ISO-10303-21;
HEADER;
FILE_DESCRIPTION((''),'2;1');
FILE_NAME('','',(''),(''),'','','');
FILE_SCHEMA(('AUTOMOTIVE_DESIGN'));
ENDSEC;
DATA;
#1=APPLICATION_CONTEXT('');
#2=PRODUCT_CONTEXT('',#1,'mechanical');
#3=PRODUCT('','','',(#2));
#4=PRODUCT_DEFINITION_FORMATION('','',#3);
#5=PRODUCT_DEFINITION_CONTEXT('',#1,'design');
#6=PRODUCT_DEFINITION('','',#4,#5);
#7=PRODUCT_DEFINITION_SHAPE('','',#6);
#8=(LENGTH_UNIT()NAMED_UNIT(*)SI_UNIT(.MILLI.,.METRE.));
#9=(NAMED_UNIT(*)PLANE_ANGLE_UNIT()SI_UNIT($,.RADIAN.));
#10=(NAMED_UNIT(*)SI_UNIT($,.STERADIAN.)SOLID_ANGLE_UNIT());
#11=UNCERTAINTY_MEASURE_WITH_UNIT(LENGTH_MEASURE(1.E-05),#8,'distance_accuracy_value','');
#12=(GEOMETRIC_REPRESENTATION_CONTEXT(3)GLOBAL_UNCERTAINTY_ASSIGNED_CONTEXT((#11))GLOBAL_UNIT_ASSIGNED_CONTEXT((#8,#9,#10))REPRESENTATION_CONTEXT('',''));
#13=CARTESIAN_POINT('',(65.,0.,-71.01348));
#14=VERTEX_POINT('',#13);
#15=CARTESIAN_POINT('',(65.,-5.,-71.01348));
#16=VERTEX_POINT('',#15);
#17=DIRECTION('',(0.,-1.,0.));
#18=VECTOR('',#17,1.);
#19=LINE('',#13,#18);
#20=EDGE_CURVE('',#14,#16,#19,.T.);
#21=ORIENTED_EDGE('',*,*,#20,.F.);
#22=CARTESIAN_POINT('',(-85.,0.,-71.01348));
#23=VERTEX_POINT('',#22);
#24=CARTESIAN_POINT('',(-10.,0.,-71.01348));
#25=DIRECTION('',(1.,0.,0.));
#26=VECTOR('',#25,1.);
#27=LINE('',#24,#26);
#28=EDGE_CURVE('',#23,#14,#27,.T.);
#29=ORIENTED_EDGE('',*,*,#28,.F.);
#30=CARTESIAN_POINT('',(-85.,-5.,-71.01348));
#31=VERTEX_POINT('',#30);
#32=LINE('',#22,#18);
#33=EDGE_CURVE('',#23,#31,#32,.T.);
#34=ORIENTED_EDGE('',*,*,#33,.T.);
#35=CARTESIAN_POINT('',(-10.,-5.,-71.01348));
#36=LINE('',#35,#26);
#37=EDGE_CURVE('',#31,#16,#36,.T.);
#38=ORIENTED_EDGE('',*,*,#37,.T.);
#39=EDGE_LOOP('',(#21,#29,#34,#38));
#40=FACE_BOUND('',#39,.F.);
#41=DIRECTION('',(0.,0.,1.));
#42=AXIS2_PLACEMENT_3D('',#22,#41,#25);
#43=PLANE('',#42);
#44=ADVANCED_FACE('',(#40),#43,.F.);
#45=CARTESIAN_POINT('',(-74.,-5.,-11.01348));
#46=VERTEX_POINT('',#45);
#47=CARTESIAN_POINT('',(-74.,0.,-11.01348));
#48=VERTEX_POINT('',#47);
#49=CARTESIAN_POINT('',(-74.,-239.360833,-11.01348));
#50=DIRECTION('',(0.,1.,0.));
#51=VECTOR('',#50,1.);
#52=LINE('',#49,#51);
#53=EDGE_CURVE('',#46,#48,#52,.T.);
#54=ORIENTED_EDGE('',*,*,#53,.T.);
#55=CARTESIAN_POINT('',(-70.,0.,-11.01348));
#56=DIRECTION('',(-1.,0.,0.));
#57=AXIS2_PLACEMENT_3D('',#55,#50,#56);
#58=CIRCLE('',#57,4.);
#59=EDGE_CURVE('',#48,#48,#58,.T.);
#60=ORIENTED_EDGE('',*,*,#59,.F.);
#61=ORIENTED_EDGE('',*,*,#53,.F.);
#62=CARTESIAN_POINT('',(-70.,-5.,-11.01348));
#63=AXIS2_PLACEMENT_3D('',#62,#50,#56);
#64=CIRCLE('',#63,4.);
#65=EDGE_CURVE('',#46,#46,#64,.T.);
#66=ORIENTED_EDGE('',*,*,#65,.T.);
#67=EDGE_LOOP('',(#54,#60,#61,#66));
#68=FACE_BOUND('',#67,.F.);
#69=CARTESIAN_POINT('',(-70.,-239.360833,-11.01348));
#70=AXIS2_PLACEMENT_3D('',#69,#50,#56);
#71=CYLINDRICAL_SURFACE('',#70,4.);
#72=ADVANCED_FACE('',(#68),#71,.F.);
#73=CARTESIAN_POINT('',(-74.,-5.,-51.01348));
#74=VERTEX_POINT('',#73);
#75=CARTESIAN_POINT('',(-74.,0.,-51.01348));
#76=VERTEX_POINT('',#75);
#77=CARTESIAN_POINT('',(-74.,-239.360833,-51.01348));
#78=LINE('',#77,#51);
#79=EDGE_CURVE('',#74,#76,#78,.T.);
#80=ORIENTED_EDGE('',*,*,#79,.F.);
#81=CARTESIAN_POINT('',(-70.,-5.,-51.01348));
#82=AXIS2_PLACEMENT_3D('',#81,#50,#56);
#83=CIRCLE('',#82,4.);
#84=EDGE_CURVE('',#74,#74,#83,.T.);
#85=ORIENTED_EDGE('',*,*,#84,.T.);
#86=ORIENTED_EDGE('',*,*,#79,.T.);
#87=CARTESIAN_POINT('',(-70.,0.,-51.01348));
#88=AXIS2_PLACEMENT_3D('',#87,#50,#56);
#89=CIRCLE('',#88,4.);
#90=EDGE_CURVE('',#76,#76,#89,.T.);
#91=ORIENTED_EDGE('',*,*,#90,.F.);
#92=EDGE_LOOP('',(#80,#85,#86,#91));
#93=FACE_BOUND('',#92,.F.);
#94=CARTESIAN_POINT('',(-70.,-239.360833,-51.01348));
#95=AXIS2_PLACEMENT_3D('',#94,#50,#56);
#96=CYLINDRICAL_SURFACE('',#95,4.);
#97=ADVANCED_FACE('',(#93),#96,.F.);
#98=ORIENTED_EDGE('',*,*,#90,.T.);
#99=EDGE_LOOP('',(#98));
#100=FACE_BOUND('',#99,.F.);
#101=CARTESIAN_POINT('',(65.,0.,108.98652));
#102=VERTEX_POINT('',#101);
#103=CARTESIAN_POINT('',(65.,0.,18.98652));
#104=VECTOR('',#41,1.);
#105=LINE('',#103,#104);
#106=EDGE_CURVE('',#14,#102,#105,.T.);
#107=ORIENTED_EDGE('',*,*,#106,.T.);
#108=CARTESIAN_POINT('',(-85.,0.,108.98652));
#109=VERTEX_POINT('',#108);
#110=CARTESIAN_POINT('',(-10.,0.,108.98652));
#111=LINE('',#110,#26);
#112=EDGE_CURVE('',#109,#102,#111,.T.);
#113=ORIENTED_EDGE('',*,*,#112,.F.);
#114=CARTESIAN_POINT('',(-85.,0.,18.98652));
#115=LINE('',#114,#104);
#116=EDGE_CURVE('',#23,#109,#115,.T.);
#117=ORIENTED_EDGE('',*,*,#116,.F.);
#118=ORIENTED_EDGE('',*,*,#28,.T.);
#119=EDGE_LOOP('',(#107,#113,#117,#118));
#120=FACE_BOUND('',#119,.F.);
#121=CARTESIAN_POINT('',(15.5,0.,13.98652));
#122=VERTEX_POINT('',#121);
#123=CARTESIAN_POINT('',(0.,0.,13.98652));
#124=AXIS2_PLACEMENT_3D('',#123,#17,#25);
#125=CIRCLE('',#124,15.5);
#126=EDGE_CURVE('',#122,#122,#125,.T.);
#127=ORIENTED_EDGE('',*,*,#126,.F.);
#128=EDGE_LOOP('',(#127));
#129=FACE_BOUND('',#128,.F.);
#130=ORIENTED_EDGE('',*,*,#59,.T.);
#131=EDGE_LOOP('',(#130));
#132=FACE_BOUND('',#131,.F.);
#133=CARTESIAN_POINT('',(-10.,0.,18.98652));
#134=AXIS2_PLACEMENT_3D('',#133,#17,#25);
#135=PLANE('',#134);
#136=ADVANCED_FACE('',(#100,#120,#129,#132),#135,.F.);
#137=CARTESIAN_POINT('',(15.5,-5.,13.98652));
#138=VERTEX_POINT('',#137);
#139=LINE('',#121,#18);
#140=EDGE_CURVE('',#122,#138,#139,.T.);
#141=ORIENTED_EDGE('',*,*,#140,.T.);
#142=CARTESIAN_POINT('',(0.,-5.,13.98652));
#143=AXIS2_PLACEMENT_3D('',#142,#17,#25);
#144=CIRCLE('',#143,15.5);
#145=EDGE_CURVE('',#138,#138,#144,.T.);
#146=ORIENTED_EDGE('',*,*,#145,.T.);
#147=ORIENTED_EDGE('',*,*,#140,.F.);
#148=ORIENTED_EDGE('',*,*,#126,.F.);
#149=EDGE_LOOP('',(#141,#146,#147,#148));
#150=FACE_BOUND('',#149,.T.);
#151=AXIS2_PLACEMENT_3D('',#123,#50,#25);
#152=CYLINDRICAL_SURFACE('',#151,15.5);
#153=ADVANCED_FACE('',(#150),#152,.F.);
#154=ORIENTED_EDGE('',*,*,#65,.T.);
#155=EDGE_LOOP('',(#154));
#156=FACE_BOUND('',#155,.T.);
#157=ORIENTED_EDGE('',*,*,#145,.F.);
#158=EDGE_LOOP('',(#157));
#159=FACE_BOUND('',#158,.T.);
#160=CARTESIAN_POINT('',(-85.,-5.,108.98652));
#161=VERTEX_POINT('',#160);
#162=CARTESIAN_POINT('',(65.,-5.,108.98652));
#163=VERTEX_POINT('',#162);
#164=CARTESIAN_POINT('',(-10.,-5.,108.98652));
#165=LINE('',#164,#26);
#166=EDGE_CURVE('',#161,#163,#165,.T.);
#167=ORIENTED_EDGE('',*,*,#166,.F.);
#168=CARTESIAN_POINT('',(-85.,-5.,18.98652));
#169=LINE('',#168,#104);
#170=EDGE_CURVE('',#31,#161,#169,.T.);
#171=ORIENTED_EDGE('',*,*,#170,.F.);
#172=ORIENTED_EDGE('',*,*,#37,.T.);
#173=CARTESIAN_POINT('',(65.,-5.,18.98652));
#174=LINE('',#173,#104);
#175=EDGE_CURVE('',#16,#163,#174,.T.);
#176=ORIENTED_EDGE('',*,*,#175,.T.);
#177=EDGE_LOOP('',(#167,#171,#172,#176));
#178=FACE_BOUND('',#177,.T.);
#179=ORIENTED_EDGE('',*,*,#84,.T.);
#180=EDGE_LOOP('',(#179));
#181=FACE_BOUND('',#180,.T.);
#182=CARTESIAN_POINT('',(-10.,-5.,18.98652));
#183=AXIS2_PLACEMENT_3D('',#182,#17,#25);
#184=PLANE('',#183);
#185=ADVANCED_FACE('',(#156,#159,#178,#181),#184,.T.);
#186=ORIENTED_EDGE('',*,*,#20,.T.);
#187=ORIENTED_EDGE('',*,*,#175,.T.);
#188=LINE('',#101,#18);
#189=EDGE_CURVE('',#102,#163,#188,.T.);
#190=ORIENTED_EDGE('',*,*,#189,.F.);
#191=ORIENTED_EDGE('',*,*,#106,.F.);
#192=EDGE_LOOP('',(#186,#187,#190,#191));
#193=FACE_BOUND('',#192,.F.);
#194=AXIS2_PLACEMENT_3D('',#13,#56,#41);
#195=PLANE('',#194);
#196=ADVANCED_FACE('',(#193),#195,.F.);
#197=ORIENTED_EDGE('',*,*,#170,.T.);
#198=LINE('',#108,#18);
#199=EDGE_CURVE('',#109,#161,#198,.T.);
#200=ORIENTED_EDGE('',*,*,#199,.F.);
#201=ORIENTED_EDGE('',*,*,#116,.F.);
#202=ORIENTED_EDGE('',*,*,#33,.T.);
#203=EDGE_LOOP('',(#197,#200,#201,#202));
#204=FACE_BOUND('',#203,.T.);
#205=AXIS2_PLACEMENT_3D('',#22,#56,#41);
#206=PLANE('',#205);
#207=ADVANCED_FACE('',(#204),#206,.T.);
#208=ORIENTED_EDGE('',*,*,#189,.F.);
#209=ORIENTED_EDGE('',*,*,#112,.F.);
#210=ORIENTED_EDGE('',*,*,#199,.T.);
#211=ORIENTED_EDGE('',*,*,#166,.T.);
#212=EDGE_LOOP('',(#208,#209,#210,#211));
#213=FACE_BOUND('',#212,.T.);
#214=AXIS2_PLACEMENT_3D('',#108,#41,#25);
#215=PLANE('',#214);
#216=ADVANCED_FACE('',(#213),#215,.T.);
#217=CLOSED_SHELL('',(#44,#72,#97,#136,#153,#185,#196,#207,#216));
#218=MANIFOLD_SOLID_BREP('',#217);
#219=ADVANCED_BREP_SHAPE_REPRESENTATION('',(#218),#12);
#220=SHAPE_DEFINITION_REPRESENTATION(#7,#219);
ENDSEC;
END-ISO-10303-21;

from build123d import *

# Parameters (mm, degrees)
F0_W     = 150
F0_H     = 180
F0_R     = 15.5
F1_DEPTH = 5
F3_D     = 8


with BuildPart() as f1:
    # F0 (on Front) → F1 (new body)
    with BuildSketch(Plane.XZ):
        with Locations((-10, 18.98652)):
            Rectangle(F0_W, F0_H)
        with Locations((0, 13.98652)):
            Circle(F0_R, mode=Mode.SUBTRACT)
    extrude(amount=F1_DEPTH)

    # F3 (through all)
    with Locations(Plane.XZ.offset(5)):
        with Locations((-70, -11.01348), (-70, -51.01348)):
            Hole(F3_D / 2)


solid = f1.part
